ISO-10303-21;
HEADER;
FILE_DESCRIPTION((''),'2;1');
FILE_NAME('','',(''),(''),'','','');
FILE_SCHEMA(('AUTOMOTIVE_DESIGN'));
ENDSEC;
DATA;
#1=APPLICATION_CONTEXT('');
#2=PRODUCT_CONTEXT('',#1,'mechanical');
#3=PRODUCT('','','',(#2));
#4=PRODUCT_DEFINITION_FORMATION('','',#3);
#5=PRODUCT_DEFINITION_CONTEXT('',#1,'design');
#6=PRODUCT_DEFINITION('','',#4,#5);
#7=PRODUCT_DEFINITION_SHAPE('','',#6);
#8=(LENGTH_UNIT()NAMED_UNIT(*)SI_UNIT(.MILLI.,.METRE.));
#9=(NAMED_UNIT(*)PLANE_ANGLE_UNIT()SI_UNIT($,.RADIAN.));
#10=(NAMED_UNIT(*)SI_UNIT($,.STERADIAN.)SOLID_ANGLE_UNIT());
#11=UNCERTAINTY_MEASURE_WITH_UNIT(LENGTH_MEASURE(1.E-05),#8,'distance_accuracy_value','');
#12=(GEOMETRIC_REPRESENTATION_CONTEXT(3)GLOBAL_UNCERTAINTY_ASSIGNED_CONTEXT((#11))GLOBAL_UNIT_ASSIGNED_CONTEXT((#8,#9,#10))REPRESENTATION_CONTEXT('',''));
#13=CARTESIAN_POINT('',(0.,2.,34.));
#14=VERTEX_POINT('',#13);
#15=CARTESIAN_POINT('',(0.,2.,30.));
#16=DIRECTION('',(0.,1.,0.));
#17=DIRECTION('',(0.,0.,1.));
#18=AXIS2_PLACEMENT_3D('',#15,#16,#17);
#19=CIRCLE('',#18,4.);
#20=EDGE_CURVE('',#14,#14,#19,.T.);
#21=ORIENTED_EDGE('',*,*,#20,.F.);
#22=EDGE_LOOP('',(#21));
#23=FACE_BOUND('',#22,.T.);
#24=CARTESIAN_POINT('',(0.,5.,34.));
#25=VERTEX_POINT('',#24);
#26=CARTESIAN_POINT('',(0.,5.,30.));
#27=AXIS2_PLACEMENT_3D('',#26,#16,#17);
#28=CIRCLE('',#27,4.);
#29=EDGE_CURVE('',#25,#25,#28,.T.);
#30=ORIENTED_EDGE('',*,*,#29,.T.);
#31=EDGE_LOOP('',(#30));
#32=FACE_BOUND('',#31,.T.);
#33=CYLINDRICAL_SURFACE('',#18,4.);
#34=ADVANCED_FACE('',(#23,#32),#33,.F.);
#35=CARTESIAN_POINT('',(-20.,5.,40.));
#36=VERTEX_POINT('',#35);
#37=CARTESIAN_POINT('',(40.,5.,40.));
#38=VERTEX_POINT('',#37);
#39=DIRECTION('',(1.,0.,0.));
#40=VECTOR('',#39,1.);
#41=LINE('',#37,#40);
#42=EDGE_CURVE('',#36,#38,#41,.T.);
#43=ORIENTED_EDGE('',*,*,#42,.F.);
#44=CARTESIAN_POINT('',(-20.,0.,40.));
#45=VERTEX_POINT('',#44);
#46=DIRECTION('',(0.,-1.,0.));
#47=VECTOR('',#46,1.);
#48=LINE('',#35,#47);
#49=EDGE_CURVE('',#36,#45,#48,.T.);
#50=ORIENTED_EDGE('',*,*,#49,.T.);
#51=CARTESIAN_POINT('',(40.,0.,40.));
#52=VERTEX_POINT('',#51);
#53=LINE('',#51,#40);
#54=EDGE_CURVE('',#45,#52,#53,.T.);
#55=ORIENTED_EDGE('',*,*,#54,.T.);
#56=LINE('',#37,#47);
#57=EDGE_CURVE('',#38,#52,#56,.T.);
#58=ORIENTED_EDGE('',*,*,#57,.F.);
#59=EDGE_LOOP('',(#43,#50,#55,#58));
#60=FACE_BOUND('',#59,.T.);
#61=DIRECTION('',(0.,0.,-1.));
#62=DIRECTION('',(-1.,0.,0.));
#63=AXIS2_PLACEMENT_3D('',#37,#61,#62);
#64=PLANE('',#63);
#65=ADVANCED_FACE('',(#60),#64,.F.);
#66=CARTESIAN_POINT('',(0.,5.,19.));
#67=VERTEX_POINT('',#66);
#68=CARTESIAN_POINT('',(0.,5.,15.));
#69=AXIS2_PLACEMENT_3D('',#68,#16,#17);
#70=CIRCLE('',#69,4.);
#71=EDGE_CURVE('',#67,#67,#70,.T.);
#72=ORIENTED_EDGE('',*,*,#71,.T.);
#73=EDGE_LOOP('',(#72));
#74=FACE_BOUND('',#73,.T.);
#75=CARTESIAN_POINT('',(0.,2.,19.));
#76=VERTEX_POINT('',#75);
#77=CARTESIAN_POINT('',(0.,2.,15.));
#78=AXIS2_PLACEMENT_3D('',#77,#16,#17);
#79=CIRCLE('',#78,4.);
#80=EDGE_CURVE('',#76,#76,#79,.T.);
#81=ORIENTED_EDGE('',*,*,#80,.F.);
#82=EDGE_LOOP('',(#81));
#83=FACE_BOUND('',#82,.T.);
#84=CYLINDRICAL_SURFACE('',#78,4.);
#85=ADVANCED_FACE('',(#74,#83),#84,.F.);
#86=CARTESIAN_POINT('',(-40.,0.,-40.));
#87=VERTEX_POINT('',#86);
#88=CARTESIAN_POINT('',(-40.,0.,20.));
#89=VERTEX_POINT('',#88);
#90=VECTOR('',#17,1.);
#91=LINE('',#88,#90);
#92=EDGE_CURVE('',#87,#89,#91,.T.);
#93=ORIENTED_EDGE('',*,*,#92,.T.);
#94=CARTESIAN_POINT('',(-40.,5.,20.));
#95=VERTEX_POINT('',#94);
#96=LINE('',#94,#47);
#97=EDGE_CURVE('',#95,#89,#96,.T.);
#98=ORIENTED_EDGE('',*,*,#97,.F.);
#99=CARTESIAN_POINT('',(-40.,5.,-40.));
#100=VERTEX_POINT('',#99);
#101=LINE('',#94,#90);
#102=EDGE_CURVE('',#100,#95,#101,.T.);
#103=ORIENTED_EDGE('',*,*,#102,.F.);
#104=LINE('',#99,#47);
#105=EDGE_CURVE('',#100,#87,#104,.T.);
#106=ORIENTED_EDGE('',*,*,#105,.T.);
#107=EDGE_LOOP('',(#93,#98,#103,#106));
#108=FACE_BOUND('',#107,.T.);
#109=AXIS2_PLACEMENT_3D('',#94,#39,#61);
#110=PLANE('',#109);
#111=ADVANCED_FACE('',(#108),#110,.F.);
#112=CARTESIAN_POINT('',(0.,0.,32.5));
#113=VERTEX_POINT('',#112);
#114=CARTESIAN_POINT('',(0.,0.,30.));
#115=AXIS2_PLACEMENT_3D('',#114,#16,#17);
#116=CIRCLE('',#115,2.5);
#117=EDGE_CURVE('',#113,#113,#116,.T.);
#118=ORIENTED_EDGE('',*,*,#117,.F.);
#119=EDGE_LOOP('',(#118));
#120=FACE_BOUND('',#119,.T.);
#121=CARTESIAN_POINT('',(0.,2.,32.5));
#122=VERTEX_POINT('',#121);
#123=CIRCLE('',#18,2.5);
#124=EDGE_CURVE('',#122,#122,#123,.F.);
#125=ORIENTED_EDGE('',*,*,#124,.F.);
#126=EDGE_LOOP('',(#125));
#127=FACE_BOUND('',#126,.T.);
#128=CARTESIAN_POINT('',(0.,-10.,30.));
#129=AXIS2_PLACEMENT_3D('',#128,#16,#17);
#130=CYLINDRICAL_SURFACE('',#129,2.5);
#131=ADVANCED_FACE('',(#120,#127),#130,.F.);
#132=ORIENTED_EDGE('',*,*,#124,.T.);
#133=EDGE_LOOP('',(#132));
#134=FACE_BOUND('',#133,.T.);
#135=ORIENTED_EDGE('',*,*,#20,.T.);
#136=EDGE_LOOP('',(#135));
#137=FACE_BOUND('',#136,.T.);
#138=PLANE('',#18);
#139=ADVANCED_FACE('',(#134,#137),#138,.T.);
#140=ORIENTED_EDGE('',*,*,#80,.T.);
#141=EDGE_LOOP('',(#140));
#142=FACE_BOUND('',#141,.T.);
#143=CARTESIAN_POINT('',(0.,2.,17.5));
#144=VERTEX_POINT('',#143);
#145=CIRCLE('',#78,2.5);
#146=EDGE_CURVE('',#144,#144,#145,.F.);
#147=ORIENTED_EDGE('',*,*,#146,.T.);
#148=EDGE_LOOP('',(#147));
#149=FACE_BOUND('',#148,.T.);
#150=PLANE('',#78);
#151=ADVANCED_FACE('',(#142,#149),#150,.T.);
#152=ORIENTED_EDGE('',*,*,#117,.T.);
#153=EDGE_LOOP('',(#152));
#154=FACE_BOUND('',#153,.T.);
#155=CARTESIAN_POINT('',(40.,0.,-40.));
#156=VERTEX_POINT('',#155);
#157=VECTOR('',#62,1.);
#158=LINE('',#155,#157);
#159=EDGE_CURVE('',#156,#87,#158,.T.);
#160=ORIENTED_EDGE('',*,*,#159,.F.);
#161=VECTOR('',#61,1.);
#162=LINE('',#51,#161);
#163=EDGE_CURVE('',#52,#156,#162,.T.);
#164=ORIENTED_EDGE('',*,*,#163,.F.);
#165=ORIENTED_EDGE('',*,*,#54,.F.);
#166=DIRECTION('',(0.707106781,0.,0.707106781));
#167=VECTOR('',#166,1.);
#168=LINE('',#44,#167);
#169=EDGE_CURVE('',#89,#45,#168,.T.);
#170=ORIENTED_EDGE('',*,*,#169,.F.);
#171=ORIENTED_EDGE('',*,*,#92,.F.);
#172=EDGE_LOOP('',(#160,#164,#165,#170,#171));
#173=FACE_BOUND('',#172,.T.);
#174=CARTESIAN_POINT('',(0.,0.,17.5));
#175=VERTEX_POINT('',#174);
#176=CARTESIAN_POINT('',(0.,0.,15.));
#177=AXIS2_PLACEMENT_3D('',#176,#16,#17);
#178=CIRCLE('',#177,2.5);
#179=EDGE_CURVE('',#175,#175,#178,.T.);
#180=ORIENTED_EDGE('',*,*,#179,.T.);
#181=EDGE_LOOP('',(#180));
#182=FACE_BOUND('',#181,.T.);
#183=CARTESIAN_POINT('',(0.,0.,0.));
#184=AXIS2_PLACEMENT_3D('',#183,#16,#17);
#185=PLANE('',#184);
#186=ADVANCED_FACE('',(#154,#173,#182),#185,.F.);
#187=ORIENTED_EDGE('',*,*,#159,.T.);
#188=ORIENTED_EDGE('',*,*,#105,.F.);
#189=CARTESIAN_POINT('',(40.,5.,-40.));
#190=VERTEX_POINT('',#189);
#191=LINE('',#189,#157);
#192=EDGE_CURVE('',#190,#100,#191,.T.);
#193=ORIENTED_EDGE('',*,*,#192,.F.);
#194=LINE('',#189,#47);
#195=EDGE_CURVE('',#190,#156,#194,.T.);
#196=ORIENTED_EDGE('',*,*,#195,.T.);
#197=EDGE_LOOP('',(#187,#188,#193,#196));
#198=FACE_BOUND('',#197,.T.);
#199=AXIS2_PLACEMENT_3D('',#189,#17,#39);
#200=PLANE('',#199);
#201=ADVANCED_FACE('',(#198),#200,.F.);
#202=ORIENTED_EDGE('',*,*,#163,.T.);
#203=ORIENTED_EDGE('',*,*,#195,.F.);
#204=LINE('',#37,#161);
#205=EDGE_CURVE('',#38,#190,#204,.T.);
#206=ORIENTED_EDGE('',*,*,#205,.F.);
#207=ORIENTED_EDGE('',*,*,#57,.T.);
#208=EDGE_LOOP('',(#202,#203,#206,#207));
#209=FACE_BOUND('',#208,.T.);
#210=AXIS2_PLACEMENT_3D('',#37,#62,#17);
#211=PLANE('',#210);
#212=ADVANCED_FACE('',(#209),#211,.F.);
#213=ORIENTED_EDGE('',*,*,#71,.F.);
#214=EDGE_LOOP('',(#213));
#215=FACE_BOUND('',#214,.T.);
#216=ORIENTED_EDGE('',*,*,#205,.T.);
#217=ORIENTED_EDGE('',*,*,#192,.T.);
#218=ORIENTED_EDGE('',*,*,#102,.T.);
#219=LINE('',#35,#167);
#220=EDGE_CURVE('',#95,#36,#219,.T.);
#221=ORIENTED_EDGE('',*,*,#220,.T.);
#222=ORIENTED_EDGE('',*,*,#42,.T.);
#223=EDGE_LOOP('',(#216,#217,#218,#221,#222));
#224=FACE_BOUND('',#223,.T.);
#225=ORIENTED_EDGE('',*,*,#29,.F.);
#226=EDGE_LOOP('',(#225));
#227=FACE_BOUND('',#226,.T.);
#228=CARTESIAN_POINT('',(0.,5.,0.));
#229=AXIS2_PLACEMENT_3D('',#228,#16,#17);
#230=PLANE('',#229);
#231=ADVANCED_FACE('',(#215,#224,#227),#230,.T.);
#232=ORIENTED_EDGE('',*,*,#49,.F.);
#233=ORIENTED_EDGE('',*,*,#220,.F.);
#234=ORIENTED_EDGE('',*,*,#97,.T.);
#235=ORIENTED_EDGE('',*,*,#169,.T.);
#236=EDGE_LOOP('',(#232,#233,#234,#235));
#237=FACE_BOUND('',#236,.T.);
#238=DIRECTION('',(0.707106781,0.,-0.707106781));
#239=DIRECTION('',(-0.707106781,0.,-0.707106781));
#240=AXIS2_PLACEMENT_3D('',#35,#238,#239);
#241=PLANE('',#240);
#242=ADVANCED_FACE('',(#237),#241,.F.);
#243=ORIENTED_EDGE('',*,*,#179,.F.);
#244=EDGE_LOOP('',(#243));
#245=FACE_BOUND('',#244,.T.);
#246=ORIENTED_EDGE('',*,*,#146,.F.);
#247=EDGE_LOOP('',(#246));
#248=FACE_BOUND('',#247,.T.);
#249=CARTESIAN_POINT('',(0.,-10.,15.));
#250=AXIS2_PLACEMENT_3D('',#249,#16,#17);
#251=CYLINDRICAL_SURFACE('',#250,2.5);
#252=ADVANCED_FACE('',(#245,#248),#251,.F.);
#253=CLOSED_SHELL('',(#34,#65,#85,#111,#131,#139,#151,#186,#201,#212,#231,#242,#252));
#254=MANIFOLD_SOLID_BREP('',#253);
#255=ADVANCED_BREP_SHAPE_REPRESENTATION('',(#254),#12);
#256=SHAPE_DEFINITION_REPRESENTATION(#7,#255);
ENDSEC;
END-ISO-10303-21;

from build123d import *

# Parameters (mm, degrees)
BOSS_EXTRUDE1_DEPTH = 5
SKETCH2_R           = 2.5
CUT_EXTRUDE1_DEPTH  = 15
SKETCH3_R           = 4
CUT_EXTRUDE2_DEPTH  = 3


with BuildPart() as part:
    # Sketch1 → Boss-Extrude1 (new body)
    with BuildSketch(Plane(origin=(0, 0, 0), x_dir=(1, 0, 0), z_dir=(0, 1, 0))):
        Polygon((40, -40), (-20, -40), (-40, -20), (-40, 40), (40, 40), align=None)
    extrude(amount=BOSS_EXTRUDE1_DEPTH)

    # Sketch2 → Cut-Extrude1 (cut)
    with BuildSketch(Plane(origin=(0, 5, 0), x_dir=(1, 0, 0), z_dir=(0, 1, 0))):
        with Locations(Location((0, -15, 0), (0, 0, 270))):
            Circle(SKETCH2_R)
        with Locations(Location((0, -30, 0), (0, 0, 270))):
            Circle(SKETCH2_R)
    extrude(amount=-CUT_EXTRUDE1_DEPTH, mode=Mode.SUBTRACT)

    # Sketch3 → Cut-Extrude2 (cut)
    with BuildSketch(Plane(origin=(0, 5, 0), x_dir=(1, 0, 0), z_dir=(0, 1, 0))):
        with Locations(Location((0, -15, 0), (0, 0, 270))):
            Circle(SKETCH3_R)
        with Locations(Location((0, -30, 0), (0, 0, 270))):
            Circle(SKETCH3_R)
    extrude(amount=-CUT_EXTRUDE2_DEPTH, mode=Mode.SUBTRACT)


solid = part.part
